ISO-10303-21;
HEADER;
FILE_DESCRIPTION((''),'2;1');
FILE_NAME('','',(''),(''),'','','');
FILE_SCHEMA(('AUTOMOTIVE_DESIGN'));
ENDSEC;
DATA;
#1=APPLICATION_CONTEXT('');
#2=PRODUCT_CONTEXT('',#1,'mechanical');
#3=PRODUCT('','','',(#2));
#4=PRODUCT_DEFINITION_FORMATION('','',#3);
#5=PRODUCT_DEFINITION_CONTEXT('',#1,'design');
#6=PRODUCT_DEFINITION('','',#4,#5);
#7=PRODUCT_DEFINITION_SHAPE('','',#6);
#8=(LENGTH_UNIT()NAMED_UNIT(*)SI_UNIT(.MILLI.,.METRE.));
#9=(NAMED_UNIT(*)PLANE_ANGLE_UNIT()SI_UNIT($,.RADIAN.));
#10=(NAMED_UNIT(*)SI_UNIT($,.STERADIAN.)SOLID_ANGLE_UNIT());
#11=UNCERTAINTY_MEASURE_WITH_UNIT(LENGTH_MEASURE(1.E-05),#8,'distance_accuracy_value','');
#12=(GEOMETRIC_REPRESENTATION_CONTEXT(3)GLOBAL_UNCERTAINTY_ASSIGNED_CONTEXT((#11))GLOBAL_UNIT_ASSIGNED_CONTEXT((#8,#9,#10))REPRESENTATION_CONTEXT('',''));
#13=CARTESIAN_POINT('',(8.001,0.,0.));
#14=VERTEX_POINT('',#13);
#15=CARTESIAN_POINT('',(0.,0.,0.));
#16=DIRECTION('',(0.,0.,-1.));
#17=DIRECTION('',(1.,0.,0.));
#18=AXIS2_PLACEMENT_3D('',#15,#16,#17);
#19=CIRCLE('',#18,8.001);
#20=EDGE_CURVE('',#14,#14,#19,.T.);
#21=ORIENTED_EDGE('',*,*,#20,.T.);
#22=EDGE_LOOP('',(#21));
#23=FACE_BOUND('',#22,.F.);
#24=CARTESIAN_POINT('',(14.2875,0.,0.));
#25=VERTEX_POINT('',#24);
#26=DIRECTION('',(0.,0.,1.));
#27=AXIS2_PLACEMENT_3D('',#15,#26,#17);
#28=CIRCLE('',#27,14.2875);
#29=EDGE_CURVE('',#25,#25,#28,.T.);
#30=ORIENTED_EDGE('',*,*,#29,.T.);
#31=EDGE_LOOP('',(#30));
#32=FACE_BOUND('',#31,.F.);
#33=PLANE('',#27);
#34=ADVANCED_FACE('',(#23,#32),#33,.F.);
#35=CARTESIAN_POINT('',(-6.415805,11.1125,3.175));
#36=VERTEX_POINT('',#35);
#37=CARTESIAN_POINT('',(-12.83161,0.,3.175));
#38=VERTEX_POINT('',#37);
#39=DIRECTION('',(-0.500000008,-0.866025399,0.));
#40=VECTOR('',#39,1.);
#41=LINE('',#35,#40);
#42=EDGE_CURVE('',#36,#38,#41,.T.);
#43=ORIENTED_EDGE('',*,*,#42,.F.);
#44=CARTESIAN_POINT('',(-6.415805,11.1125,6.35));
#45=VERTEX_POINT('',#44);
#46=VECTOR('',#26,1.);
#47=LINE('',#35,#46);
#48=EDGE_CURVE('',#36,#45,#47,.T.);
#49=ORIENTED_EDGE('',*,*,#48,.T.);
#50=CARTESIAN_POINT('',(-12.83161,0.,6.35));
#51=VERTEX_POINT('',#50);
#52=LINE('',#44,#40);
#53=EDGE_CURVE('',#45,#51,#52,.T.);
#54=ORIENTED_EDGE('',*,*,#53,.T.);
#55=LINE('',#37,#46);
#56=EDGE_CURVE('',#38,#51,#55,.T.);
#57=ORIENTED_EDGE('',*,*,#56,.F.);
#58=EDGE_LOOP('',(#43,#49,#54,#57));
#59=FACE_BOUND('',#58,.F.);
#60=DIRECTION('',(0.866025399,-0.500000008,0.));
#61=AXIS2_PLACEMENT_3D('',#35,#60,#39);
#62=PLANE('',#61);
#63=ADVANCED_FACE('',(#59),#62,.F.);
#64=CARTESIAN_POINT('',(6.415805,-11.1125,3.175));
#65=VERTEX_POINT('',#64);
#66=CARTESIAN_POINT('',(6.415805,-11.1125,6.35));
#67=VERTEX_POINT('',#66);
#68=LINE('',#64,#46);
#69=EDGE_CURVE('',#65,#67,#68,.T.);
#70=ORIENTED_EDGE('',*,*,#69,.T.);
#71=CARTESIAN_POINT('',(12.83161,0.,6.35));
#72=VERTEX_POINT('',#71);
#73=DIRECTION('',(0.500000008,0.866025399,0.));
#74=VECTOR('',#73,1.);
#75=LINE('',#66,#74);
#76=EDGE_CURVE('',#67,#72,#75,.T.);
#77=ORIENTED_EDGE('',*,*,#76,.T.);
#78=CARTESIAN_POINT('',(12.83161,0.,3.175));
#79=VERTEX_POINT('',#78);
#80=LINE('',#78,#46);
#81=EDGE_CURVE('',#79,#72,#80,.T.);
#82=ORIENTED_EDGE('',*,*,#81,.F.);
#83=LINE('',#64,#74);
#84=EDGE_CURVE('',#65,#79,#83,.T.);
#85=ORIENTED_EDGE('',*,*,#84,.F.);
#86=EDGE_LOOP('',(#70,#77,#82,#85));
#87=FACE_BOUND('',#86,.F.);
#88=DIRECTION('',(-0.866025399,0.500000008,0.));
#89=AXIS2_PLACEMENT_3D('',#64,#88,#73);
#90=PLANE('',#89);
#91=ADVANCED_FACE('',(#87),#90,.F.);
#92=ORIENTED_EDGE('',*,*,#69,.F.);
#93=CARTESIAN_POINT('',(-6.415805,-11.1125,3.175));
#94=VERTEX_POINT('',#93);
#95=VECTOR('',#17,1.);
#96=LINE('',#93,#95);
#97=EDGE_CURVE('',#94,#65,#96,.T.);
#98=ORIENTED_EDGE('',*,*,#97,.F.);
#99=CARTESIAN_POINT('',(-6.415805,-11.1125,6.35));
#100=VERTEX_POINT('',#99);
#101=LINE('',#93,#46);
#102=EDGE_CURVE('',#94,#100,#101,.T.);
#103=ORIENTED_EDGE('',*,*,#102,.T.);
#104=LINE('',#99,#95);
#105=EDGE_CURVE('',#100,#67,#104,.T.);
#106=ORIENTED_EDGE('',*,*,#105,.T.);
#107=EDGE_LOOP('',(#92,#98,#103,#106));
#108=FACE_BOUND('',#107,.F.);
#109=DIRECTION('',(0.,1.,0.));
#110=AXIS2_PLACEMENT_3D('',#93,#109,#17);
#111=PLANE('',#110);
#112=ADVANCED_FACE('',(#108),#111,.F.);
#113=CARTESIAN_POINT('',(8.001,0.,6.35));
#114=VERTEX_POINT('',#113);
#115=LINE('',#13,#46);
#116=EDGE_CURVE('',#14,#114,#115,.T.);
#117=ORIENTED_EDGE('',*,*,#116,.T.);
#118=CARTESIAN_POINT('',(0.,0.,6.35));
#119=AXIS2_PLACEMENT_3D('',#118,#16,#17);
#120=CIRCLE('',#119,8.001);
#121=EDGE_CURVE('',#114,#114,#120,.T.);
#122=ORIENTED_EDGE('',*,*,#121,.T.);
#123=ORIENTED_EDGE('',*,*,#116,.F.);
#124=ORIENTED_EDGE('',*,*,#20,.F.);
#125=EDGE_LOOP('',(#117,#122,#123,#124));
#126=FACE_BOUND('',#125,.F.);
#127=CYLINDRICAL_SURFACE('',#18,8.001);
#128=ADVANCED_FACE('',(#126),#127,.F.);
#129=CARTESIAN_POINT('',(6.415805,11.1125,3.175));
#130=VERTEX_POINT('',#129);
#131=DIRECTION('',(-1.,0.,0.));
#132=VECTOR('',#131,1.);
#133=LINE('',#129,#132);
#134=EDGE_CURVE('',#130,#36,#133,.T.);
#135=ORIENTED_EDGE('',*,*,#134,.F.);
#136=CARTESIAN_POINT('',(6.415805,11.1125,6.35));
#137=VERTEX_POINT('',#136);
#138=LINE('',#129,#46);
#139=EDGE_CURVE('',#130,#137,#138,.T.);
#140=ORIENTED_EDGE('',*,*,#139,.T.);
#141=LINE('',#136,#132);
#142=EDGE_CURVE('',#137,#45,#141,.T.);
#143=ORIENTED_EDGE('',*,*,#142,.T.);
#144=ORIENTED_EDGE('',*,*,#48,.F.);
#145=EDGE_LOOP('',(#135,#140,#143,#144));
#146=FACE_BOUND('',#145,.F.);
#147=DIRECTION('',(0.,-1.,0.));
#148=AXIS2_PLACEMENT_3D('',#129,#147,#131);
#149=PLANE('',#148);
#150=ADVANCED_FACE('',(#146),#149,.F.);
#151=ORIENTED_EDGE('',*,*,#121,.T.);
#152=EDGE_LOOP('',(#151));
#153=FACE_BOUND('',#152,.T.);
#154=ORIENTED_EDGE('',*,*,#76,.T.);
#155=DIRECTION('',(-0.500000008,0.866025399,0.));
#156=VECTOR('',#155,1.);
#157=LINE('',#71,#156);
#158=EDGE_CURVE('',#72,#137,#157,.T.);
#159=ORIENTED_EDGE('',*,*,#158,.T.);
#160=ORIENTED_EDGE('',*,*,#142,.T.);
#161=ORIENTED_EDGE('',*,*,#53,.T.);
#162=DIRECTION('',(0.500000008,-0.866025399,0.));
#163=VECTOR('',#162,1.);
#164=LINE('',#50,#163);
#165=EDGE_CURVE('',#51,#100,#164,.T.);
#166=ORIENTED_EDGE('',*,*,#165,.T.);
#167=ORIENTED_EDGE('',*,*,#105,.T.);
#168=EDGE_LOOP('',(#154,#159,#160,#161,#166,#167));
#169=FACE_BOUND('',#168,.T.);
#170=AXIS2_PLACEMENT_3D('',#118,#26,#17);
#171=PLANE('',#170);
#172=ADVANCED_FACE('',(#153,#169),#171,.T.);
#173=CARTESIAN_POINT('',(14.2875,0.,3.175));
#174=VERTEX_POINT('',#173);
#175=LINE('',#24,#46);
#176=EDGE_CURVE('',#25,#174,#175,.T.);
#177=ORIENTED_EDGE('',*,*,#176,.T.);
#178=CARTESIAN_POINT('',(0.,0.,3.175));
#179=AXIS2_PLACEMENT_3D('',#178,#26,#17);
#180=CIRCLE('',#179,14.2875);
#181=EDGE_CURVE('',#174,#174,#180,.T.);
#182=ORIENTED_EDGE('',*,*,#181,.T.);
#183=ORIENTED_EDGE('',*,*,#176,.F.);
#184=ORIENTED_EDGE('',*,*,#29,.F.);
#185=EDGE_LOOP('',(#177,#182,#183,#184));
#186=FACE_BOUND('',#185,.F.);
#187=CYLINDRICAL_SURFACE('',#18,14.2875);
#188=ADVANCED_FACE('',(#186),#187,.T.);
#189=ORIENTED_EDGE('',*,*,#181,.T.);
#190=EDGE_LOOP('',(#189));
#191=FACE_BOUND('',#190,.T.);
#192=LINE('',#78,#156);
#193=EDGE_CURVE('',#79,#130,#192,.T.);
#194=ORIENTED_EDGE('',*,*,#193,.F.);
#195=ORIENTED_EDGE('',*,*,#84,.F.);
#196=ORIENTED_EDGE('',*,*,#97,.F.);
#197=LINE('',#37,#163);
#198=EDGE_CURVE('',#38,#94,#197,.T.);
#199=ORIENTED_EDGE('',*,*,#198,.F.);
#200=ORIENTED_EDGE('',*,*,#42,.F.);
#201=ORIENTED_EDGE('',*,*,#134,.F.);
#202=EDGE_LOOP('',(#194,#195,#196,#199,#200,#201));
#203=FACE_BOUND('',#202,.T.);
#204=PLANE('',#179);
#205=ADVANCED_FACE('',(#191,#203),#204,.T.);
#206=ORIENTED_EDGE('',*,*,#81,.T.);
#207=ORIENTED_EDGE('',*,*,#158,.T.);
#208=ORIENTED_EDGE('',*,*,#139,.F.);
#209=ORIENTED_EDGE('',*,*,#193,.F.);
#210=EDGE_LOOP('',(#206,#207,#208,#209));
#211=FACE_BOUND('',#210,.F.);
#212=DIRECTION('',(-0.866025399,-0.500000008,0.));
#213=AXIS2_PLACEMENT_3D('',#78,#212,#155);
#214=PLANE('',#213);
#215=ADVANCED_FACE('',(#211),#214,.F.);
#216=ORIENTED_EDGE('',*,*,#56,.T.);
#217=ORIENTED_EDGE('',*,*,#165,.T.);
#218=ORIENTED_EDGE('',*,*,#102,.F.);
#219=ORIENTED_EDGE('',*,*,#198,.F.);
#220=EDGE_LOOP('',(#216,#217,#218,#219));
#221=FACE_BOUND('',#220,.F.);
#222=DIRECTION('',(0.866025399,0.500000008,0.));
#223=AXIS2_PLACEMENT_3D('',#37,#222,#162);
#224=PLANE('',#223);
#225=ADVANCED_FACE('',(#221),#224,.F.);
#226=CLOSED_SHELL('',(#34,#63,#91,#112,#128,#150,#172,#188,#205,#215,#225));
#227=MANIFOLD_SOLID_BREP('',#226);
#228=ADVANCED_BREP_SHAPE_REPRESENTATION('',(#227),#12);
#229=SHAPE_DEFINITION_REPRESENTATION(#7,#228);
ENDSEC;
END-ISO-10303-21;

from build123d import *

# Parameters (mm, degrees)
F0_R     = 14.2875
F1_DEPTH = 3.175
F3_DEPTH = 3.175
F4_R     = 8.001
F5_DEPTH = 25.4


with BuildPart() as f1:
    # F0 (on Top) → F1 (new body)
    with BuildSketch(Plane.XY):
        Circle(F0_R)
    extrude(amount=F1_DEPTH)

    # F2 (on face) → F3 (join)
    with BuildSketch(Plane.XY.offset(3.175)):
        Polygon((6.415805, 11.1125), (-6.415805, 11.1125), (-12.83161, 0), (-6.415805, -11.1125), (6.415805, -11.1125), (12.83161, 0), align=None)
    extrude(amount=F3_DEPTH)

    # F4 (on face) → F5 (cut)
    with BuildSketch(Plane(origin=(0, 0, 0), x_dir=(1, 0, 0), z_dir=(0, 0, -1))):
        Circle(F4_R)
    extrude(amount=-F5_DEPTH, mode=Mode.SUBTRACT)


solid = f1.part
